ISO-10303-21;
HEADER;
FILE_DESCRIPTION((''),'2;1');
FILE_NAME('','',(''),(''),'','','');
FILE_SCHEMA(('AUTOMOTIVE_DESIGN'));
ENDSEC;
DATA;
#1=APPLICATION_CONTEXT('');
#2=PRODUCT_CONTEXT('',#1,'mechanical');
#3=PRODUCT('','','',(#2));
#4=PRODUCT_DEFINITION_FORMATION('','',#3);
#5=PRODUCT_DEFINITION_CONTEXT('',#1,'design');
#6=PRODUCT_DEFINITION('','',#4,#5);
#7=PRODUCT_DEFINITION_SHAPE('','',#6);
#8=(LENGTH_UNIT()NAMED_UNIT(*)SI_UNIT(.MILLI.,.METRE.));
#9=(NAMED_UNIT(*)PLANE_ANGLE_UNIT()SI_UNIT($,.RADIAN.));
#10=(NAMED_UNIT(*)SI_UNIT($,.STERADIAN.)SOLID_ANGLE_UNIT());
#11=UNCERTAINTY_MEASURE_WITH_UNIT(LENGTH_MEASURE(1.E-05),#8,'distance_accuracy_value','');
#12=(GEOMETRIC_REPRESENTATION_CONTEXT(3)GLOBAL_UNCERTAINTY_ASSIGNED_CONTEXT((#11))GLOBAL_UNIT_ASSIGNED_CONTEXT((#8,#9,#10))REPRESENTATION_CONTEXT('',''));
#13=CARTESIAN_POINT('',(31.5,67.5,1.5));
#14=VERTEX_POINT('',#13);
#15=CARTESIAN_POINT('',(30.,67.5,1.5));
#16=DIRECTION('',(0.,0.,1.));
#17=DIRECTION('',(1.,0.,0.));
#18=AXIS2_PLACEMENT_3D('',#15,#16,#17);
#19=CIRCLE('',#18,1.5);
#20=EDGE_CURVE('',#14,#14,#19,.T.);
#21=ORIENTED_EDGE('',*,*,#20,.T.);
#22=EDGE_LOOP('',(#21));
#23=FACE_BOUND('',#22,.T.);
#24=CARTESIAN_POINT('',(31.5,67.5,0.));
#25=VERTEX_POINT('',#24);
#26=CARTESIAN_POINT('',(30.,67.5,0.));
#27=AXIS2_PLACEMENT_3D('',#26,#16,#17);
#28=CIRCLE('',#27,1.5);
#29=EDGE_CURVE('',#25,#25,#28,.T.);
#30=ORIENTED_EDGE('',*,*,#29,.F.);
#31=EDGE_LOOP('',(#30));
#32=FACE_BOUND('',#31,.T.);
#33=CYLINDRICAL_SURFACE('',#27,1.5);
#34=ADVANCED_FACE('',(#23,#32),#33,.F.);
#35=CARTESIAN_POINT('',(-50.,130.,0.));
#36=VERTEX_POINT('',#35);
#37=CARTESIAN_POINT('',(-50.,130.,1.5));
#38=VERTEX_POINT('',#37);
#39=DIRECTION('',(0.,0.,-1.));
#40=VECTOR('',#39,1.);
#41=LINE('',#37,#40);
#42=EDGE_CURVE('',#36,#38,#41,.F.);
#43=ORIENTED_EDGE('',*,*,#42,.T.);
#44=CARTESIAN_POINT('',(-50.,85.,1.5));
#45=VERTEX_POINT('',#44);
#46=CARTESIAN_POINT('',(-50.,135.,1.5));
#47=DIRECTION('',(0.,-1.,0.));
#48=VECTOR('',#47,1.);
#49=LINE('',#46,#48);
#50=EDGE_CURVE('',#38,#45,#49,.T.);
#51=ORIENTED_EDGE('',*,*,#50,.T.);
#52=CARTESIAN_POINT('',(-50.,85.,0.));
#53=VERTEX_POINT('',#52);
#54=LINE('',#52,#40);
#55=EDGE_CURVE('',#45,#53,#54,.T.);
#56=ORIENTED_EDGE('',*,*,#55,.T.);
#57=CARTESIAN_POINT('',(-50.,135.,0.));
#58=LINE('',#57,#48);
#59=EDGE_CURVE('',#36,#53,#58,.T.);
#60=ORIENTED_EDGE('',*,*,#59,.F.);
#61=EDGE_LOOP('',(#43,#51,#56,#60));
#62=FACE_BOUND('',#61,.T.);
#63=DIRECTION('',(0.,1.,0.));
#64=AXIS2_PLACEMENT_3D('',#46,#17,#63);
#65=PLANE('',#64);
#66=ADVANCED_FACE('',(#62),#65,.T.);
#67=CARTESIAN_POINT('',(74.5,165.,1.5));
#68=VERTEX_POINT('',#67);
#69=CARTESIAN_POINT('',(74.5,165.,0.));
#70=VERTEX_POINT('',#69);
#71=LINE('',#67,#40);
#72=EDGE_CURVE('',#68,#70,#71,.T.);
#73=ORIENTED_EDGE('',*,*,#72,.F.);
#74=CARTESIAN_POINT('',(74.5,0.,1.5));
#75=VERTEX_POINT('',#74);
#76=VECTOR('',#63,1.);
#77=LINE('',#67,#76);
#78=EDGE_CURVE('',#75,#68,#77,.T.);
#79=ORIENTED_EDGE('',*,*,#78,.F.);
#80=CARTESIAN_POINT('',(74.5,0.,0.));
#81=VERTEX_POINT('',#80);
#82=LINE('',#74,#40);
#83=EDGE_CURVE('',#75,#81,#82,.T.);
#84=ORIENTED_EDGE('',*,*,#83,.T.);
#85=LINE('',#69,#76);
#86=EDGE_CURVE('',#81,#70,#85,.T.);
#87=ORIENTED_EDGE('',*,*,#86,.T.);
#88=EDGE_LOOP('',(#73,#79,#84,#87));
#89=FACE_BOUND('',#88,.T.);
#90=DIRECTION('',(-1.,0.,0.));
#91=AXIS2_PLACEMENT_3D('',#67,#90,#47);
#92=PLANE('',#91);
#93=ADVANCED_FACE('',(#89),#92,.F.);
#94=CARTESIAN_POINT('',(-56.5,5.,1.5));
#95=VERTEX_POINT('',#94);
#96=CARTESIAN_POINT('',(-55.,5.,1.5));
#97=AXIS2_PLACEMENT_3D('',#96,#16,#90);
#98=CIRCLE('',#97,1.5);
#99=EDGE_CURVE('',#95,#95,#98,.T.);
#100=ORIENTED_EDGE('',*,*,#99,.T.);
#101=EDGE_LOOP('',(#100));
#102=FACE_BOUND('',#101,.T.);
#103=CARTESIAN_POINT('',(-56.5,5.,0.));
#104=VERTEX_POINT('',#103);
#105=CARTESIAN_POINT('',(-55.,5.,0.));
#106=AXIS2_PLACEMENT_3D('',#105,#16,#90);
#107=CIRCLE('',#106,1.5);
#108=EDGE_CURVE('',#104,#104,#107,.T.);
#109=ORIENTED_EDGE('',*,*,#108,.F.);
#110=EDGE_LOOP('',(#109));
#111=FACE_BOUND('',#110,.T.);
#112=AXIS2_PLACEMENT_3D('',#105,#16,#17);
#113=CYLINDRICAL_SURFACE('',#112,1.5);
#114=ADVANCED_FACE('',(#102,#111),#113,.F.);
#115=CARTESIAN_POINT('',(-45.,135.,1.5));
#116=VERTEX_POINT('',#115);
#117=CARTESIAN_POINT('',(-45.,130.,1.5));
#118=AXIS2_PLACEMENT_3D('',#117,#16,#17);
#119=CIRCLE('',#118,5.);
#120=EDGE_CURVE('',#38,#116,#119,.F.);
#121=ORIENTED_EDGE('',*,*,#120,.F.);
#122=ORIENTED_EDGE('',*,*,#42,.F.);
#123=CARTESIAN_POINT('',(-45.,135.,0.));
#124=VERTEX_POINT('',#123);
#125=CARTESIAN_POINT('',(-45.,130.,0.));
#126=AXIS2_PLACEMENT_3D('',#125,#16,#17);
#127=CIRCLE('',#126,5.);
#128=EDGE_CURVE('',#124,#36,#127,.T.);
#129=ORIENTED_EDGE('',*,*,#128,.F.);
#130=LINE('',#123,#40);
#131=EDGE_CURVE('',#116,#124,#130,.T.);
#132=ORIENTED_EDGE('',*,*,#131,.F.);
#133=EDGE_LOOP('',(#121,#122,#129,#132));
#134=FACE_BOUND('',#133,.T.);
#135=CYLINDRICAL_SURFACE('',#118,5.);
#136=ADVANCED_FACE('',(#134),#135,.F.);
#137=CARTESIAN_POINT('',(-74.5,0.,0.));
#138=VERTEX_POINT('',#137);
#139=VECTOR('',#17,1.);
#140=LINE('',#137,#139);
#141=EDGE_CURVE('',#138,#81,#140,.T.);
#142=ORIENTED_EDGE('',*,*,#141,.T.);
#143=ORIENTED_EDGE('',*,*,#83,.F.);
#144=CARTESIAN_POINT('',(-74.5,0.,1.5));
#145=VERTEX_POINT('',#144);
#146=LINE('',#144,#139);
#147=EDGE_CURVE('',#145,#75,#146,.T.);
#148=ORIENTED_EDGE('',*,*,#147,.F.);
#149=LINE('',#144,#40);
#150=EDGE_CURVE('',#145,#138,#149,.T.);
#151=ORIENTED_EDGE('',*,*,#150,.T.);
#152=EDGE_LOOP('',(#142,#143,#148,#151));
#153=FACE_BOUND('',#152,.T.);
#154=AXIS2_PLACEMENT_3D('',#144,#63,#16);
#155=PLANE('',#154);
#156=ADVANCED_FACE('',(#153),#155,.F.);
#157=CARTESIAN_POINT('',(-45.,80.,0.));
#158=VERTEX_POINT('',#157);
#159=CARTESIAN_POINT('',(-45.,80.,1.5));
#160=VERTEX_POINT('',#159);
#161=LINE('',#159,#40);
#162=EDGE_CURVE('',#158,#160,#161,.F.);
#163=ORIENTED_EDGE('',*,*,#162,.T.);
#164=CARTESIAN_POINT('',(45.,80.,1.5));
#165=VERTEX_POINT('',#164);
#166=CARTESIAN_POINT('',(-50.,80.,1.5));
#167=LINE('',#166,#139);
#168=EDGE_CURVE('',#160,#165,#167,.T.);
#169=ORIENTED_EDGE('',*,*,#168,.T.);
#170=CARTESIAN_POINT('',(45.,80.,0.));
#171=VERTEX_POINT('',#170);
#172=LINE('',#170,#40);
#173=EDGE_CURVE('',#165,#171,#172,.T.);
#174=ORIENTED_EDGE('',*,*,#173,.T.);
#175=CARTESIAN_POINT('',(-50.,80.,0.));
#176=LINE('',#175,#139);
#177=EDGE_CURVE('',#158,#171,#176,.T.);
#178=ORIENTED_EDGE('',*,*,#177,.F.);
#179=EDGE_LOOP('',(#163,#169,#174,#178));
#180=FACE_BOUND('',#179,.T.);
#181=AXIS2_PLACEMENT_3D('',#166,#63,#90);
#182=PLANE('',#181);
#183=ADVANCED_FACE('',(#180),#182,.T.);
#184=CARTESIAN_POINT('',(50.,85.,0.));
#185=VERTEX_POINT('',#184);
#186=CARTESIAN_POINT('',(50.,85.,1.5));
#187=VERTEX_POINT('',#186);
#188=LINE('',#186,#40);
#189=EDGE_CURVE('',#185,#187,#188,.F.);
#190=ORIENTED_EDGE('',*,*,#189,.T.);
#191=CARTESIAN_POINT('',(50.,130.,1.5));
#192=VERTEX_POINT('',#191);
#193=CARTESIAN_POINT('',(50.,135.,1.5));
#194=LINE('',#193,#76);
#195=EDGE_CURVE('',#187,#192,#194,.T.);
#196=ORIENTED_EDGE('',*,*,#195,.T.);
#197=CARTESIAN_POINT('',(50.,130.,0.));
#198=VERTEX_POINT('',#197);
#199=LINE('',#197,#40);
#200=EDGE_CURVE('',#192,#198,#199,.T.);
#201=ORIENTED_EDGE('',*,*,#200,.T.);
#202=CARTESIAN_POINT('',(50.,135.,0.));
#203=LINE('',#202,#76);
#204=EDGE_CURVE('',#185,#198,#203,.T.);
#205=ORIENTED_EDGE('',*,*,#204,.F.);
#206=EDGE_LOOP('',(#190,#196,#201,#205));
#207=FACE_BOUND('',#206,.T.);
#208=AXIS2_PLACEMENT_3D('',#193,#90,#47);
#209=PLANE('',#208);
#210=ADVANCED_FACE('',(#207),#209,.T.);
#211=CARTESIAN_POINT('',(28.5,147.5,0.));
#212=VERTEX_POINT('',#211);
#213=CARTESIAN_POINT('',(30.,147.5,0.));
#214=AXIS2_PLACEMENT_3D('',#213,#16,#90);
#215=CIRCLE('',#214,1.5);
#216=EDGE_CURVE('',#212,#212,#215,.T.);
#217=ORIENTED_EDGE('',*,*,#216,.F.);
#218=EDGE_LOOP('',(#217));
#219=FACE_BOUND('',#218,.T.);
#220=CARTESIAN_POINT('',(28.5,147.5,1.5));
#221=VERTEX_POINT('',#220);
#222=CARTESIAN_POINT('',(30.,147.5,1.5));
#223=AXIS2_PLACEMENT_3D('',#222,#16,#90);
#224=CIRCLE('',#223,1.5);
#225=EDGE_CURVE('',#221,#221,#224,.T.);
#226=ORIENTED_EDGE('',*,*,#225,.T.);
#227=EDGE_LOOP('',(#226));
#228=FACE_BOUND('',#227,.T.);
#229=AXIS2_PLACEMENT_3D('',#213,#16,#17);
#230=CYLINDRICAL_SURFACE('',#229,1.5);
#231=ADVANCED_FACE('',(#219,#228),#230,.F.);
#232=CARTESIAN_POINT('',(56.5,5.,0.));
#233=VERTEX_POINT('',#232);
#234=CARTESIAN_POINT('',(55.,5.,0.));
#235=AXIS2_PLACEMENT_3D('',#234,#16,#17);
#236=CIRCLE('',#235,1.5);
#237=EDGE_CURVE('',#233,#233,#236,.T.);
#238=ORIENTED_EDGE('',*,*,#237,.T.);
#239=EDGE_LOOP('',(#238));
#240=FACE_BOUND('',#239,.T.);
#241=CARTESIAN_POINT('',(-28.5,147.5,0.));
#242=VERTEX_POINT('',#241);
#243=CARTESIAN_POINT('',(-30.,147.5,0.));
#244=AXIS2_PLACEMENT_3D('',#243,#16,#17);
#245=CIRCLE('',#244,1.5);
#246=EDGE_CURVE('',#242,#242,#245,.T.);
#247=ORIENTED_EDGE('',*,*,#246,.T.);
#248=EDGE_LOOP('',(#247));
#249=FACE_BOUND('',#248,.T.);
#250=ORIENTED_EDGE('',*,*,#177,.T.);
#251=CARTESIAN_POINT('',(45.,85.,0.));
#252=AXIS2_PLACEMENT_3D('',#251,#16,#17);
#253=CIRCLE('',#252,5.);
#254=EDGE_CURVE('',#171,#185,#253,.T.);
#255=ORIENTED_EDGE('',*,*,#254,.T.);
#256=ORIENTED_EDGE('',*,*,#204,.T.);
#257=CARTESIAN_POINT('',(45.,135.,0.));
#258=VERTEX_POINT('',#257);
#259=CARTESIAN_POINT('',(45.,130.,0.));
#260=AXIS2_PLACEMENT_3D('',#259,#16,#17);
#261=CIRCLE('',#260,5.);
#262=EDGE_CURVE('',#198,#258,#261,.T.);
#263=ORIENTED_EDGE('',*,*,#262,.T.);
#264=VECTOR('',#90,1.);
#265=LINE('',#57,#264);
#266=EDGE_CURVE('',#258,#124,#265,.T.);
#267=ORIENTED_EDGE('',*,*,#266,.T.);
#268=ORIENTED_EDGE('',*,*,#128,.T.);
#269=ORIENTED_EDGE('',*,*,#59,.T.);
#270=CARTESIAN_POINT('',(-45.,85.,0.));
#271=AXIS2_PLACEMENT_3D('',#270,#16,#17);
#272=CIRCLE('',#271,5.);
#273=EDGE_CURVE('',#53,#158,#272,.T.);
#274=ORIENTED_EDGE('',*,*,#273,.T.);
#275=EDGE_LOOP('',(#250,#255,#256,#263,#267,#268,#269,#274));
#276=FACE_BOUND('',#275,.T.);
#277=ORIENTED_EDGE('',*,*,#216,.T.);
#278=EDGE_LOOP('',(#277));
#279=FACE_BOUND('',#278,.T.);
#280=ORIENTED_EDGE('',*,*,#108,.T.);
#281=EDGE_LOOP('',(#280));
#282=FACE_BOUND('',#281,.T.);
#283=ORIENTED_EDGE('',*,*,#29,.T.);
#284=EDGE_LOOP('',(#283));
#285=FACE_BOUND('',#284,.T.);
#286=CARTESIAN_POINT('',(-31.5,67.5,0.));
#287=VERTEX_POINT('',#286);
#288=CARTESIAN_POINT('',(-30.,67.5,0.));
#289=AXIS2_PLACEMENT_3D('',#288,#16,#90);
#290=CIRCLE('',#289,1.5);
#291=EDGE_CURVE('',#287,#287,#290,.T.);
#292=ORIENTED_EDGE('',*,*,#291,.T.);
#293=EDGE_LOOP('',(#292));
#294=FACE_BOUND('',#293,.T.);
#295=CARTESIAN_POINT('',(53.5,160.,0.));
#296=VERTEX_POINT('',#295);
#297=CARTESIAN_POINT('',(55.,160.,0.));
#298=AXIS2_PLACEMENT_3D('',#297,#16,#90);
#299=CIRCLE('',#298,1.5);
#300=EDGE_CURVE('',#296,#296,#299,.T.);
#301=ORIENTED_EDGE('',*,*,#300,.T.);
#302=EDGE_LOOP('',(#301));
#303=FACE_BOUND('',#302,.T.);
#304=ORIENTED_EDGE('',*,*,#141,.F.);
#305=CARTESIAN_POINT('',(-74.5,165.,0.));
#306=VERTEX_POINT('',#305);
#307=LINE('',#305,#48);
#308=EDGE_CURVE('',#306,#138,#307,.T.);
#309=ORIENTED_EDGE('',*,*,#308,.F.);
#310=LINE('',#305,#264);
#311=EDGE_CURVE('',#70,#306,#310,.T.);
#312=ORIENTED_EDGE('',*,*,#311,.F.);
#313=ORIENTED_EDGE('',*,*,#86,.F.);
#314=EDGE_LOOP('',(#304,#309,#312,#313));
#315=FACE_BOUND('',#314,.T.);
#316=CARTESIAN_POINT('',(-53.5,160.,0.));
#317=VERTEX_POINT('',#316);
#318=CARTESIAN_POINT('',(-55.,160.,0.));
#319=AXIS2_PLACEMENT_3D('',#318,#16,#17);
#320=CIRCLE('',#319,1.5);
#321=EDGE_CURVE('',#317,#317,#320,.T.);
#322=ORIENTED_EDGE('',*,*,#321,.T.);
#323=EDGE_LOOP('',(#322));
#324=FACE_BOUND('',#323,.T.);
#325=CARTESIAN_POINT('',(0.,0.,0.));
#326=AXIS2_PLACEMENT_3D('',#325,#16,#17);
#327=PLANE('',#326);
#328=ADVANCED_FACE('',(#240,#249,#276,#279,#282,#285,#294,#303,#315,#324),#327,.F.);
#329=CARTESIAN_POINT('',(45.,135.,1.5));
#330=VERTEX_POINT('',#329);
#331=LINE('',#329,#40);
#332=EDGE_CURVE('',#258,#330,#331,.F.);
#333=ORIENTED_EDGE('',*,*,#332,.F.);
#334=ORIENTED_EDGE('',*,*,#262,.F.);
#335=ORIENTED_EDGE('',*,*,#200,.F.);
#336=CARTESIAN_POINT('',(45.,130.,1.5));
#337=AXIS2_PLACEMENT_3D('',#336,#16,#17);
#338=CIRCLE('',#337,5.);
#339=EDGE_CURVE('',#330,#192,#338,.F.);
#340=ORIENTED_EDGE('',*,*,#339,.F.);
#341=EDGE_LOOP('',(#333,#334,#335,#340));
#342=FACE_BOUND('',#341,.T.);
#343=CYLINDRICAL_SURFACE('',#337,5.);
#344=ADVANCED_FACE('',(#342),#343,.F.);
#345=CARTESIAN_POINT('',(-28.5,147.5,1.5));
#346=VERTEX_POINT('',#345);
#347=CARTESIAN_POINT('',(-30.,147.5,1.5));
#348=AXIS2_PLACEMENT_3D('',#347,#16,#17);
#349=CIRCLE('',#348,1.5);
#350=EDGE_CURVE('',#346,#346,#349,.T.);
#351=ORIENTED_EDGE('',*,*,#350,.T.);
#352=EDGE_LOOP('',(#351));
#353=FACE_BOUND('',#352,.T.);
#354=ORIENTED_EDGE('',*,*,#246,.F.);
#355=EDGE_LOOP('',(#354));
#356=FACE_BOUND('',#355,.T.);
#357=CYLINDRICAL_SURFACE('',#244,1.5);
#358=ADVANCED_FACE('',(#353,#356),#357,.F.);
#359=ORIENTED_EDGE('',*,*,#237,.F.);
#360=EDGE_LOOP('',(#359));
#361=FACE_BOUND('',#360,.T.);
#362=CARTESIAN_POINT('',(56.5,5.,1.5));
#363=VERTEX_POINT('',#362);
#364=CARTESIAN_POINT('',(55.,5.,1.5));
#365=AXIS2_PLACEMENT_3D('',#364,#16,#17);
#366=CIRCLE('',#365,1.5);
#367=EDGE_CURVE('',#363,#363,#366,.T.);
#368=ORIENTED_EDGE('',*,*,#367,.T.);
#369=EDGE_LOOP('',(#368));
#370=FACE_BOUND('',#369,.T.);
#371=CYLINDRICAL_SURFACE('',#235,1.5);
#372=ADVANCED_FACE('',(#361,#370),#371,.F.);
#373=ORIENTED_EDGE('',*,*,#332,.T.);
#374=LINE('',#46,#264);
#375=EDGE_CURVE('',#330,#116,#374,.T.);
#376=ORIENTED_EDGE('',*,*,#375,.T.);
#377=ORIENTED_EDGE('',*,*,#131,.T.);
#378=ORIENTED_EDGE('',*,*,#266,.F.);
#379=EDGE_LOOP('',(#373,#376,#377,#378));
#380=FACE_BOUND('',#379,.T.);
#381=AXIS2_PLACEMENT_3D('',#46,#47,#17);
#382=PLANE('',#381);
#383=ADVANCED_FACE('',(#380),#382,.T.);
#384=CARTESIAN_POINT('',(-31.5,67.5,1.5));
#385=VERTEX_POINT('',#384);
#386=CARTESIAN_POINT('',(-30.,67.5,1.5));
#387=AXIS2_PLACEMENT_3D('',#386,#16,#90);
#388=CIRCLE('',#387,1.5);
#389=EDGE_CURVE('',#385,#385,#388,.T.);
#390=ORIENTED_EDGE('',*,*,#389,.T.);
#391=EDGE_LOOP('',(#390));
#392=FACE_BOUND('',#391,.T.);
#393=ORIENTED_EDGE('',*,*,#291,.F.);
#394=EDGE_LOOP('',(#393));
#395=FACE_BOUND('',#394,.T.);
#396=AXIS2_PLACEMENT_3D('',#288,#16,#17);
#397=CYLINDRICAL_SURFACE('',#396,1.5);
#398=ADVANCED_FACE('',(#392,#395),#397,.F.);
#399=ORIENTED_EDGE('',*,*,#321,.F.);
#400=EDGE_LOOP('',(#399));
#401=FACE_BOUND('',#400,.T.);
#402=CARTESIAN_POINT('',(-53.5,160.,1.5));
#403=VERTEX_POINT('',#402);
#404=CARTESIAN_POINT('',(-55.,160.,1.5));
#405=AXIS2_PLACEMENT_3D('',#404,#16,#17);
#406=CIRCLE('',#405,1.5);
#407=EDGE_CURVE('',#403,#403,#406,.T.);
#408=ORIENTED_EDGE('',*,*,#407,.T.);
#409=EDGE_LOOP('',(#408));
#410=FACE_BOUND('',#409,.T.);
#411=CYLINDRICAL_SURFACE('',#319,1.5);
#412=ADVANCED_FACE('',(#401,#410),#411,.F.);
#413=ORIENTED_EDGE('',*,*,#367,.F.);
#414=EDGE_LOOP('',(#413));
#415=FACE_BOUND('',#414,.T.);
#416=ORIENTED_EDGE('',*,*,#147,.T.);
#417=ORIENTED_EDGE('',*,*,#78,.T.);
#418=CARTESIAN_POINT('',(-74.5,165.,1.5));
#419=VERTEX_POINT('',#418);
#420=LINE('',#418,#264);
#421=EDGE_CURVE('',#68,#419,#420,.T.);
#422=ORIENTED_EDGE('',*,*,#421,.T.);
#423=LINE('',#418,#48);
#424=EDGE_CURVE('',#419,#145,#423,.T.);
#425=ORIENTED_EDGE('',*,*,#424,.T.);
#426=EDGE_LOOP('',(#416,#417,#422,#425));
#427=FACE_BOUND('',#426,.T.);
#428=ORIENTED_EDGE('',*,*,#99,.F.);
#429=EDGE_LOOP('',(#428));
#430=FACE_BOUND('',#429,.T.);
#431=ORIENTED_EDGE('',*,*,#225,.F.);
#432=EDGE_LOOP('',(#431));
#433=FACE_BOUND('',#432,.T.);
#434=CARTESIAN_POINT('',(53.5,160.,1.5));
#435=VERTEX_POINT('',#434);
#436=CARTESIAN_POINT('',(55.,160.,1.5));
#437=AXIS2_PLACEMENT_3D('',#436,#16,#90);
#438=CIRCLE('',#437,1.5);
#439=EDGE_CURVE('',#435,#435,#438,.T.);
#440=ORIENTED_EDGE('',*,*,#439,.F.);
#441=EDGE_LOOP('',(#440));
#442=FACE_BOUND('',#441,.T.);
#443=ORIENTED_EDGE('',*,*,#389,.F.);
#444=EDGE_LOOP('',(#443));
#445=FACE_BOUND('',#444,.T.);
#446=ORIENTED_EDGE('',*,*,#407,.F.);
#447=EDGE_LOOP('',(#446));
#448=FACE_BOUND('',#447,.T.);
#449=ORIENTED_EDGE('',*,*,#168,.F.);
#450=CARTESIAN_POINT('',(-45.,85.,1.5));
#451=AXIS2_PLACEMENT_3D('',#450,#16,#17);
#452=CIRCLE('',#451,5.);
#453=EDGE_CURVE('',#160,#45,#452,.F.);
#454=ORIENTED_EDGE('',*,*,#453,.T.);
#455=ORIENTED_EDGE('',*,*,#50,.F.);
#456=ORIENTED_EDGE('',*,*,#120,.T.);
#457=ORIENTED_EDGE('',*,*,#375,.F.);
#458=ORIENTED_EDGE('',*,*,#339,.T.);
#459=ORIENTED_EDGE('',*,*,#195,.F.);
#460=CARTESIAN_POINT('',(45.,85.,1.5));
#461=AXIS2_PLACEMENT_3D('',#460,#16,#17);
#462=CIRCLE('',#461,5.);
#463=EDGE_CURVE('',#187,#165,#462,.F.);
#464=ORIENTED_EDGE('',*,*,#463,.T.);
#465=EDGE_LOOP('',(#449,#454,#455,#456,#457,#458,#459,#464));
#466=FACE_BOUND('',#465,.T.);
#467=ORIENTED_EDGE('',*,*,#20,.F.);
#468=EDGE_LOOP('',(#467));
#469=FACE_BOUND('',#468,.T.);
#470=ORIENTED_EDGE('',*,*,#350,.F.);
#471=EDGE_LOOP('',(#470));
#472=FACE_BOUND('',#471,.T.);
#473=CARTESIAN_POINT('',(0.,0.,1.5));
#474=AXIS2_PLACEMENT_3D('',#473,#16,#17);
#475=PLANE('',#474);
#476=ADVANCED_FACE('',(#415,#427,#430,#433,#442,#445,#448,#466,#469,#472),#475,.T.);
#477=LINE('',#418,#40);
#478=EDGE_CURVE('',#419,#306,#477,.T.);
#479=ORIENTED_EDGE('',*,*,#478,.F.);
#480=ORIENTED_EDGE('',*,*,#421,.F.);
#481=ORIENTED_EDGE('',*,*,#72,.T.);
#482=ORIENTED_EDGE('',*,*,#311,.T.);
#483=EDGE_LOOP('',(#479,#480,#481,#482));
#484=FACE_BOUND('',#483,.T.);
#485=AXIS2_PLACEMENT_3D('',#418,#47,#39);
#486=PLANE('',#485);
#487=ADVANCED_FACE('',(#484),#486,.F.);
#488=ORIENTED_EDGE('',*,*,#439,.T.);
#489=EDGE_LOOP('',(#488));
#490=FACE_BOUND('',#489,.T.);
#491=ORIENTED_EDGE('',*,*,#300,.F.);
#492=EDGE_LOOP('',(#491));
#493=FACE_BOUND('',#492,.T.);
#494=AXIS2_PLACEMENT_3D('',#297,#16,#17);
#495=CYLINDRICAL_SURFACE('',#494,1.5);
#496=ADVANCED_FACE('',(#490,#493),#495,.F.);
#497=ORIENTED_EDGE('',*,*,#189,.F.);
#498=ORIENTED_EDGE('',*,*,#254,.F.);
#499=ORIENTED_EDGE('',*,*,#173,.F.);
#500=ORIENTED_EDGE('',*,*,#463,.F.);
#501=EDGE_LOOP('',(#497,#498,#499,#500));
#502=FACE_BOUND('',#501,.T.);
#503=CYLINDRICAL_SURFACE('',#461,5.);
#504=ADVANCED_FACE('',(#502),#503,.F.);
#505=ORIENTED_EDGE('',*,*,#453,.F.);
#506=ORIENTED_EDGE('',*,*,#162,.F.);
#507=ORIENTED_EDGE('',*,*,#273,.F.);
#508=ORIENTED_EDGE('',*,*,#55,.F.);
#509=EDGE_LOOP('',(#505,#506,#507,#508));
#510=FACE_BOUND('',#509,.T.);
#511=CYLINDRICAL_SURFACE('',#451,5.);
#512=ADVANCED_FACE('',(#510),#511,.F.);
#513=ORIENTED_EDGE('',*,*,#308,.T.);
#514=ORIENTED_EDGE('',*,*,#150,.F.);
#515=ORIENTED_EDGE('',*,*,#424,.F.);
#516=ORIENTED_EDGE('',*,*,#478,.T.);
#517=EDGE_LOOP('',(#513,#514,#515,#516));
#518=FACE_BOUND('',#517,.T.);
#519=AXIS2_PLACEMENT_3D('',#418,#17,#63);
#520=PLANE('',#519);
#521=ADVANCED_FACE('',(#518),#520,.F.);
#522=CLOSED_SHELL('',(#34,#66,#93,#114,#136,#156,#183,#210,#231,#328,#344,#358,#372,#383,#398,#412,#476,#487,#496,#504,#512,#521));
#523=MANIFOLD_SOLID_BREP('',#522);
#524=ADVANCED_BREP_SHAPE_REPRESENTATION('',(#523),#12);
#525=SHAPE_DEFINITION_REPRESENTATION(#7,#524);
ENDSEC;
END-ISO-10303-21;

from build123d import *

# Parameters (mm, degrees)
ESQUISSE1_W             = 149
ESQUISSE1_H             = 165
ESQUISSE1_W_2           = 100
ESQUISSE1_H_2           = 55
BOSS_EXTRU_1_DEPTH      = 1.5
CONG_1_R                = 5
ESQUISSE2_R             = 1.5
ENL_V_MAT_EXTRU_1_DEPTH = 182.045574373


with BuildPart() as part:
    # Esquisse1 → Boss.-Extru.1 (new body)
    with BuildSketch(Plane.XY):
        with Locations((0, 82.5)):
            Rectangle(ESQUISSE1_W, ESQUISSE1_H)
        with Locations((0, 107.5)):
            Rectangle(ESQUISSE1_W_2, ESQUISSE1_H_2, mode=Mode.SUBTRACT)
    extrude(amount=BOSS_EXTRU_1_DEPTH)

    # Congé1
    cong_1_edges = [part.edges().sort_by_distance(p)[0] for p in [
        (-50, 135, 0.75),
        (-50, 80, 0.75),
        (50, 80, 0.75),
        (50, 135, 0.75),
    ]]
    fillet(cong_1_edges, radius=CONG_1_R)

    # Esquisse2 → Enlèv. mat.-Extru.1 (cut, through all)
    with BuildSketch(Plane.XY.offset(1.5)):
        with Locations((-30, 147.5)):
            Circle(ESQUISSE2_R)
        with Locations(Location((-30, 67.5, 0), (0, 0, 180))):
            Circle(ESQUISSE2_R)
        with Locations((30, 67.5)):
            Circle(ESQUISSE2_R)
        with Locations(Location((30, 147.5, 0), (0, 0, 180))):
            Circle(ESQUISSE2_R)
        with Locations((-55, 160)):
            Circle(ESQUISSE2_R)
        with Locations(Location((-55, 5, 0), (0, 0, 180))):
            Circle(ESQUISSE2_R)
        with Locations((55, 5)):
            Circle(ESQUISSE2_R)
        with Locations(Location((55, 160, 0), (0, 0, 180))):
            Circle(ESQUISSE2_R)
    extrude(amount=-ENL_V_MAT_EXTRU_1_DEPTH, mode=Mode.SUBTRACT)


solid = part.part
